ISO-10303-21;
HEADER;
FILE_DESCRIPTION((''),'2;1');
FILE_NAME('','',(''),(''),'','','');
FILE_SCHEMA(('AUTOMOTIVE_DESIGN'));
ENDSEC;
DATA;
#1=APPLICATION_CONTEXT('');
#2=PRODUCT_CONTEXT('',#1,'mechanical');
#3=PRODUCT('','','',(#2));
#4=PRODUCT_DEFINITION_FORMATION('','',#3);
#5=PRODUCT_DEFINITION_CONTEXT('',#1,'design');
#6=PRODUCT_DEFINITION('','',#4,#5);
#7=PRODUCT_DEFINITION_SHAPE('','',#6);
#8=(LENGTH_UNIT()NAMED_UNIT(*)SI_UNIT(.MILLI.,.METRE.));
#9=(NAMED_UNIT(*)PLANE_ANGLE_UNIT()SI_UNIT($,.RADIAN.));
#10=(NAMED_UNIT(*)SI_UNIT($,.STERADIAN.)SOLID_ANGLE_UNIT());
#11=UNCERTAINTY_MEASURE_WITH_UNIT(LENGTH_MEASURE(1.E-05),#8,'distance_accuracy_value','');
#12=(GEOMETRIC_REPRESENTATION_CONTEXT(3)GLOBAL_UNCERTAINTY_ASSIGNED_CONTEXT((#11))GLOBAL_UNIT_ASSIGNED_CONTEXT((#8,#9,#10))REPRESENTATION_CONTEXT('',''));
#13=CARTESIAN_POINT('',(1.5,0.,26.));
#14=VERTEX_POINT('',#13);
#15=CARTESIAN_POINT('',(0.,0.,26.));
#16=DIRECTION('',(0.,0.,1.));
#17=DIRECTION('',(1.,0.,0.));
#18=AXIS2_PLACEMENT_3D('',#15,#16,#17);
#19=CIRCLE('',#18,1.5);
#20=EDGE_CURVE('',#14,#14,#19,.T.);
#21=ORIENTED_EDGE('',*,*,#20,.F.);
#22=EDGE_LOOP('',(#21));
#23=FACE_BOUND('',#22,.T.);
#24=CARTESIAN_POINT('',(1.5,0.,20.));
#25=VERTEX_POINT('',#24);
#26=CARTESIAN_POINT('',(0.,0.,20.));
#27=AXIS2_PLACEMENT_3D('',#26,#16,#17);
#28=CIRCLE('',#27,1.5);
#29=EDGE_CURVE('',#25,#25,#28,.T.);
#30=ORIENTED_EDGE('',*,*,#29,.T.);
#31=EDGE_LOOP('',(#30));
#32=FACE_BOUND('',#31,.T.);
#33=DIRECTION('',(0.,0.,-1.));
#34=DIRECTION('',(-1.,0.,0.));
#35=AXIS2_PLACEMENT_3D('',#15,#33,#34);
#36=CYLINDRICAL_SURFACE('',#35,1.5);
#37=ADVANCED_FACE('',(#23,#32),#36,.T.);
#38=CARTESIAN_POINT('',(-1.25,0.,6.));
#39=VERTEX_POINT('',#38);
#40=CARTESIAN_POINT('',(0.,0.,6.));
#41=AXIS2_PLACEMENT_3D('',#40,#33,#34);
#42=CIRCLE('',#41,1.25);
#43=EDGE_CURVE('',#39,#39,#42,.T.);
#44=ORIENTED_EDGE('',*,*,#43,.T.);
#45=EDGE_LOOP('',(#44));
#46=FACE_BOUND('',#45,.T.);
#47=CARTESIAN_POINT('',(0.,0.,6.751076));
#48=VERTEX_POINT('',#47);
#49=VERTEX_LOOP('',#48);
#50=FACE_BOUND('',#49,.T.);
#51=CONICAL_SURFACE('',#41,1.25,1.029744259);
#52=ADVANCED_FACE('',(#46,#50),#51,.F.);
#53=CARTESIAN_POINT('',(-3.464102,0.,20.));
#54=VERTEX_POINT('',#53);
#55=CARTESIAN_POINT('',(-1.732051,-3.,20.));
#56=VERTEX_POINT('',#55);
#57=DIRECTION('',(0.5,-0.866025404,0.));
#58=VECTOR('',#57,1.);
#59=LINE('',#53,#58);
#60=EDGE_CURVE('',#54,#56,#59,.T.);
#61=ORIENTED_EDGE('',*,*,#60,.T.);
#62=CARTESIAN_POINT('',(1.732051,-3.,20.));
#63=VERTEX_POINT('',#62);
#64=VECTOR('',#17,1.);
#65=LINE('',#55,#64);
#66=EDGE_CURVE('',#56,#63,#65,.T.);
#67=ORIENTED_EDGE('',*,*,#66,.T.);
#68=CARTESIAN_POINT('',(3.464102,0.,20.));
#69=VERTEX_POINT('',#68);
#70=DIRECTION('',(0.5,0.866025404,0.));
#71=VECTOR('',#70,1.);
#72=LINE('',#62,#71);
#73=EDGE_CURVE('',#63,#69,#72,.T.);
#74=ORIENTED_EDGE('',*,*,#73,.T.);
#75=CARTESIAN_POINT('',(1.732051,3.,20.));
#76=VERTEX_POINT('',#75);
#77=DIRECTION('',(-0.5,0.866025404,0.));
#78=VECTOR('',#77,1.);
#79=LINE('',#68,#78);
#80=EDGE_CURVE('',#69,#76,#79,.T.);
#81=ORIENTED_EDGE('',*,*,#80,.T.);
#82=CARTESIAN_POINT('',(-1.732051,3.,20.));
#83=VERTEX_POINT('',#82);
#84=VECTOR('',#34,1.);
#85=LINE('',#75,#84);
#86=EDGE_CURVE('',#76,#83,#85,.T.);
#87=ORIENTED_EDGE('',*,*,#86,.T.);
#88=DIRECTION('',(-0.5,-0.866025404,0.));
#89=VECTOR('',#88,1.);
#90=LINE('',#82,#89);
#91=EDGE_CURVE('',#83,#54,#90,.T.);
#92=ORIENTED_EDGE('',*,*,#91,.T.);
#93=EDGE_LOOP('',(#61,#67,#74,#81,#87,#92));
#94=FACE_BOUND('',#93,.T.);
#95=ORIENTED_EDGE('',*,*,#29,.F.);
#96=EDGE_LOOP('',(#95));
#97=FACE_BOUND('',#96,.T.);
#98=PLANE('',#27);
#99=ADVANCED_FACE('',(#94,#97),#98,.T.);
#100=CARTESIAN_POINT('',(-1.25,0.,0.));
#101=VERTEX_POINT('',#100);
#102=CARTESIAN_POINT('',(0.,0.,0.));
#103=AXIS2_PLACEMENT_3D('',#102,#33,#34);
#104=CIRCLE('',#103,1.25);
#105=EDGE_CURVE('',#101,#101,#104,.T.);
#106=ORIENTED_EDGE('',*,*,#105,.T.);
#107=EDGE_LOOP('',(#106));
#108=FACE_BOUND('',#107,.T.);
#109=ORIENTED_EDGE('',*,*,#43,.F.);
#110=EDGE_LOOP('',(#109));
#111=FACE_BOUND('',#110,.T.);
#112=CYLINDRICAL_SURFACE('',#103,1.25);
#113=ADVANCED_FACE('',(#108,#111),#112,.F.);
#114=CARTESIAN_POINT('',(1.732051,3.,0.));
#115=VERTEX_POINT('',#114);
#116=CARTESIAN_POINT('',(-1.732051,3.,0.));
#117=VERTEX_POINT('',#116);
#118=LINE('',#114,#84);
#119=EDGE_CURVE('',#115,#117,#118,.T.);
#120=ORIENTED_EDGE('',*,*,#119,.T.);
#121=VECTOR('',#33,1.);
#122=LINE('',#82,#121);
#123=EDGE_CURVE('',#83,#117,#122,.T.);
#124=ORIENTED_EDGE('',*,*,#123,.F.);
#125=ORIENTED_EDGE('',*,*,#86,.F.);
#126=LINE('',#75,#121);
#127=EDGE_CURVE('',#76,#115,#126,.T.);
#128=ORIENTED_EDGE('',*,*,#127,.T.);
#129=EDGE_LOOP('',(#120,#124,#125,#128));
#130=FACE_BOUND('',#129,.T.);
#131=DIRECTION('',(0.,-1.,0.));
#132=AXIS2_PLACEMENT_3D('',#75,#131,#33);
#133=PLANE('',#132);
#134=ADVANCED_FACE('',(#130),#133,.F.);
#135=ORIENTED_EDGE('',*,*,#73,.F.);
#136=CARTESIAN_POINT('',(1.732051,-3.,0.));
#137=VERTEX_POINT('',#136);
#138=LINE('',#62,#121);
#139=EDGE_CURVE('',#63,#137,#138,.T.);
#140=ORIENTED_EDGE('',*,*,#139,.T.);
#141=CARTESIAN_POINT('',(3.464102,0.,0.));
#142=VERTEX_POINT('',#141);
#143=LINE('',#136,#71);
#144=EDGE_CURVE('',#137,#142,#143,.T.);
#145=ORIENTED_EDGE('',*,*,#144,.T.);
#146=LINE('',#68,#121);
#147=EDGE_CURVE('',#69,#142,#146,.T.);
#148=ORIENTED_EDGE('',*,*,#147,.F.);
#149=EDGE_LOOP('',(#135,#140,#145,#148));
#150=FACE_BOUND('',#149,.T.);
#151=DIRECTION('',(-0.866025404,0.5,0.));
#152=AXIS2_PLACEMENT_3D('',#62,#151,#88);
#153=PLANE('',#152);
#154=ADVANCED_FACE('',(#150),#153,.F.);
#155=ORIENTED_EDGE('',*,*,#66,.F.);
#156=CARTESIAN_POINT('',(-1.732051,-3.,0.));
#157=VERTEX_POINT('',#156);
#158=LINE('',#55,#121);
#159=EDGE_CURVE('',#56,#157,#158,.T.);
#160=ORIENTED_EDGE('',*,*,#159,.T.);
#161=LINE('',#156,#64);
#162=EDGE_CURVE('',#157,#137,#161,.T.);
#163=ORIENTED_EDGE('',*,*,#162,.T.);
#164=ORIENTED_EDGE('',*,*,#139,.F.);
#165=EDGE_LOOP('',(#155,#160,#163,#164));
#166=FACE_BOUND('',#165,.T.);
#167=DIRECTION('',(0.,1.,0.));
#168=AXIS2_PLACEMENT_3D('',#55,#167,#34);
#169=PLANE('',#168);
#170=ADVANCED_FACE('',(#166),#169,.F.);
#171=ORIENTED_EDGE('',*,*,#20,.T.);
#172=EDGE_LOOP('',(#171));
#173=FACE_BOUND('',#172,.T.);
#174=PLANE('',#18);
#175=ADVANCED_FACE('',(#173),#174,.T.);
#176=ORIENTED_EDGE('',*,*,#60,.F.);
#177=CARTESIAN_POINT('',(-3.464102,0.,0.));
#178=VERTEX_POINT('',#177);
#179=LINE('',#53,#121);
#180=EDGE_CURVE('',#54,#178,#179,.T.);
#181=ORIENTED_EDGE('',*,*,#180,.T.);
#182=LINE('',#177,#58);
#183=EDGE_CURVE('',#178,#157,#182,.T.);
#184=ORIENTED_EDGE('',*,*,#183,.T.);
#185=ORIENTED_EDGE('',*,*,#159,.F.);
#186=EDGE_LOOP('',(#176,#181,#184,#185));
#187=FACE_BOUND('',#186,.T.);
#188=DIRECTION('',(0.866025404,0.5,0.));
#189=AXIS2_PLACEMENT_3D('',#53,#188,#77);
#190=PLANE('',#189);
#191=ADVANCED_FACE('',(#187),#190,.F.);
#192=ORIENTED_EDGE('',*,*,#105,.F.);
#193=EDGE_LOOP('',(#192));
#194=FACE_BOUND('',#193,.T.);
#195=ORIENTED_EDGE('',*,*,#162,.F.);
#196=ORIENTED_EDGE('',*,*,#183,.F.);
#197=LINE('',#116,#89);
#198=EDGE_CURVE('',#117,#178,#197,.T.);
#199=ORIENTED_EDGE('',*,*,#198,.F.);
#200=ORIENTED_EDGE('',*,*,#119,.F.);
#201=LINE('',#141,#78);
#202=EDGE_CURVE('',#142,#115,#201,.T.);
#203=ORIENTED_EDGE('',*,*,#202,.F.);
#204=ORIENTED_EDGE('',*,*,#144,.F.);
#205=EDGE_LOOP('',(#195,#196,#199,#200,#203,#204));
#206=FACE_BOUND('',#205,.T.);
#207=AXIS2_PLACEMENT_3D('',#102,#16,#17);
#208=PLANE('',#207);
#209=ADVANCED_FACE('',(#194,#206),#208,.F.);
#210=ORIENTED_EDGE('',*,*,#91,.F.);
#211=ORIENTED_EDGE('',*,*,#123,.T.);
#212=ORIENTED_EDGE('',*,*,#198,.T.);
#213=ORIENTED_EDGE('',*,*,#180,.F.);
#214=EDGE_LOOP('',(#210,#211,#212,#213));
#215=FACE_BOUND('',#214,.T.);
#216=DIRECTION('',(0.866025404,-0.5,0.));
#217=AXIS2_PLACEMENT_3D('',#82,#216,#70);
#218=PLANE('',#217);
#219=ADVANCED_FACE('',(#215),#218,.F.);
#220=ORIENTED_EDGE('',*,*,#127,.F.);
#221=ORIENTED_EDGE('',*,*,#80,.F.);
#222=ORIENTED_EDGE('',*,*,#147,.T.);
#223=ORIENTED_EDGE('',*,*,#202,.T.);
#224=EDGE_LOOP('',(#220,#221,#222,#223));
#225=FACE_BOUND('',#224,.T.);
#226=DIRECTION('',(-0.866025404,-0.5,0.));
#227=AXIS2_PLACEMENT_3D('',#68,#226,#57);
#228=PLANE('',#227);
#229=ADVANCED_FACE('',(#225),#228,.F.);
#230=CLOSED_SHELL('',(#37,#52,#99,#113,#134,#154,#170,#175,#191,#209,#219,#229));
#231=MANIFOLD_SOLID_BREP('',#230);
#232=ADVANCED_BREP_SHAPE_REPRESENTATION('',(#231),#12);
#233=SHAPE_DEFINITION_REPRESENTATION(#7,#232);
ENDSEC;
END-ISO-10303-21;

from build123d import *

# Parameters (mm, degrees)
BOSS_EXTRUDE1_DEPTH       = 20
SKETCH2_R                 = 1.5
BOSS_EXTRUDE2_DEPTH       = 6
M3X0_5_TAPPED_HOLE1_D     = 2.5
M3X0_5_TAPPED_HOLE1_DEPTH = 6
M3X0_5_TAPPED_HOLE1_TIP   = 0.751075774


with BuildPart() as part:
    # Sketch1 → Boss-Extrude1 (new body)
    with BuildSketch(Plane.XY):
        Polygon((-3.464101615, 0), (-1.732050808, -3), (1.732050808, -3), (3.464101615, 0), (1.732050808, 3), (-1.732050808, 3), align=None)
    extrude(amount=BOSS_EXTRUDE1_DEPTH)

    # Sketch2 → Boss-Extrude2 (add)
    with BuildSketch(Plane.XY.offset(20)):
        Circle(SKETCH2_R)
    extrude(amount=BOSS_EXTRUDE2_DEPTH)

    # M3x0.5 Tapped Hole1
    with Locations(Plane(origin=(0, 0, 0), x_dir=(-1, 0, 0), z_dir=(0, 0, -1))):
        with Locations((0, 0)):
            Hole(M3X0_5_TAPPED_HOLE1_D / 2, depth=M3X0_5_TAPPED_HOLE1_DEPTH)
            with Locations((0, 0, -(M3X0_5_TAPPED_HOLE1_DEPTH + M3X0_5_TAPPED_HOLE1_TIP / 2))):  # 118° drill point
                Cone(0, M3X0_5_TAPPED_HOLE1_D / 2, M3X0_5_TAPPED_HOLE1_TIP, mode=Mode.SUBTRACT)


solid = part.part
